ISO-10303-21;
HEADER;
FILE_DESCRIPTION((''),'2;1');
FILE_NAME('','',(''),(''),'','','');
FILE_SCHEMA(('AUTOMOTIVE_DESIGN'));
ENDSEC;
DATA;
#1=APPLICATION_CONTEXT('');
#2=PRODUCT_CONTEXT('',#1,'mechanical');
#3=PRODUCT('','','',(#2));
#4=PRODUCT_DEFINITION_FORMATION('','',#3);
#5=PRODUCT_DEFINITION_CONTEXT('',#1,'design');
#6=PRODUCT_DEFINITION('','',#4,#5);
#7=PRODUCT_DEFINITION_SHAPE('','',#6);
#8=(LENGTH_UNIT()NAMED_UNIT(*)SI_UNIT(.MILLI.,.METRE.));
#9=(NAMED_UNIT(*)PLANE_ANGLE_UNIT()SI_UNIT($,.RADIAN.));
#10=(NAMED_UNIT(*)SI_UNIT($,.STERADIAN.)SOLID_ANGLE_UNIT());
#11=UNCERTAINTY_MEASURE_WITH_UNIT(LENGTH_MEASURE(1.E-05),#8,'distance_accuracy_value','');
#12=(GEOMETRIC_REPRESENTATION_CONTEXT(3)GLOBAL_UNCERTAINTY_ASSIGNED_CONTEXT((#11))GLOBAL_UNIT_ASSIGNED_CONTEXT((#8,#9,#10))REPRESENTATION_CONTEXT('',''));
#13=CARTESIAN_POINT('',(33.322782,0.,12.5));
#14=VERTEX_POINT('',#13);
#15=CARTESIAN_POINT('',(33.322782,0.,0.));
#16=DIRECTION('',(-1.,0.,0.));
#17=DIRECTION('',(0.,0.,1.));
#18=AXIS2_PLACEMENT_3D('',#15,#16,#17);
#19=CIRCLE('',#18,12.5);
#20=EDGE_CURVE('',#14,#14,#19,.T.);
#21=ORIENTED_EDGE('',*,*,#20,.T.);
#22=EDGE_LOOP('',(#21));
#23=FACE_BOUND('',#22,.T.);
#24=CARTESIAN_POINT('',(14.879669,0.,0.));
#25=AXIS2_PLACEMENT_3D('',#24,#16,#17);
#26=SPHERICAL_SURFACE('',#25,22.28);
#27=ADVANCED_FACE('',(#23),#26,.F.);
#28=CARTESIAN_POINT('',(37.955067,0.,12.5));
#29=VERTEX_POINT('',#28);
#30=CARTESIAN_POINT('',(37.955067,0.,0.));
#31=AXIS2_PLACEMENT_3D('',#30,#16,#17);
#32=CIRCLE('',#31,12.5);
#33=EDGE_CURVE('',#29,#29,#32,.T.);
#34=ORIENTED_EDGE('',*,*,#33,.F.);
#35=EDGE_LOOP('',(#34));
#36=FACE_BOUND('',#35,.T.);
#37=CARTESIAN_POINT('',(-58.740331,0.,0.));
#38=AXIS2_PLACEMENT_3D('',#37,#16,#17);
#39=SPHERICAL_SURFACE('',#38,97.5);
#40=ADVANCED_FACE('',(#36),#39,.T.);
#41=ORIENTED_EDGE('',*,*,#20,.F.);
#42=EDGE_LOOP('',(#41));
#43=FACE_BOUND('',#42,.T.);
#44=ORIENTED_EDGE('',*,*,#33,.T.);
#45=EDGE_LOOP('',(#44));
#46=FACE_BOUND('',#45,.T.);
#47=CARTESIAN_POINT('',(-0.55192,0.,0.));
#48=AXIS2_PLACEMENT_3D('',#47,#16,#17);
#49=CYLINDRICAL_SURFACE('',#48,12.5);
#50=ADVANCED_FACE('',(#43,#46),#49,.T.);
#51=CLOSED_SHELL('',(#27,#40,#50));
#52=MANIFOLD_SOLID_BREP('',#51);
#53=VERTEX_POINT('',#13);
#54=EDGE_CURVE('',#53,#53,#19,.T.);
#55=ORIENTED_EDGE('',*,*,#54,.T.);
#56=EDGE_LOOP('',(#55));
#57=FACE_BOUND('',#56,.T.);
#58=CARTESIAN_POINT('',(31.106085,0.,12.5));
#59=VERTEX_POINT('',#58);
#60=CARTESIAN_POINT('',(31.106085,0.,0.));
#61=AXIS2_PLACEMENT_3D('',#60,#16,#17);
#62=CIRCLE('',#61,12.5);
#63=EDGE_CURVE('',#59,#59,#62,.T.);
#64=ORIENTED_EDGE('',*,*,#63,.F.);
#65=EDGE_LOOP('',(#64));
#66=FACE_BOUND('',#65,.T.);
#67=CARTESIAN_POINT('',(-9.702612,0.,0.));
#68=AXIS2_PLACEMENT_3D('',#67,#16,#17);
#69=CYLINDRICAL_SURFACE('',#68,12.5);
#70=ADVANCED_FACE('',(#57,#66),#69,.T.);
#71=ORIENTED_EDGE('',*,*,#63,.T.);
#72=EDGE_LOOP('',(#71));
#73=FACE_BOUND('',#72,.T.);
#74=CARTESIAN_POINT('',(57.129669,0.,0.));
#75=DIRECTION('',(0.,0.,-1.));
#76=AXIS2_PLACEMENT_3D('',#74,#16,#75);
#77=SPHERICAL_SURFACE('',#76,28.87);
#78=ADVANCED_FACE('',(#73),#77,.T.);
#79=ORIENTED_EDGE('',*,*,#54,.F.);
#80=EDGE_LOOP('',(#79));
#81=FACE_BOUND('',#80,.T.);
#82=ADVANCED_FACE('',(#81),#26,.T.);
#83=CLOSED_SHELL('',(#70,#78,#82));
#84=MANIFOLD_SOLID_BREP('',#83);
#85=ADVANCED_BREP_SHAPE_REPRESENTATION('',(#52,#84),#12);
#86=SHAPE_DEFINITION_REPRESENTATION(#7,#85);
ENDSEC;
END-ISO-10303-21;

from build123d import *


with BuildPart() as part:
    # 草图1 one side → 旋转1 (revolve)
    with BuildSketch(Plane(origin=(0, 0, 0), x_dir=(1, 0, 0), z_dir=(0, 1, 0)), mode=Mode.PRIVATE) as revolve_1_sk:
        with BuildLine():
            ThreePointArc((31.106085439, 12.5), (28.980266168, 6.40999389), (28.259668974, 0))
            Line((28.259668974, 0), (37.159668974, 0))
            ThreePointArc((37.159668974, 0), (36.17885848, 6.537807458), (33.322781509, 12.5))
            Line((33.322781509, 12.5), (31.106085439, 12.5))
        make_face()
    revolve(revolve_1_sk.sketch.rotate(Axis((-9.702612178, 0, 0), (1, 0, 0)), 180), axis=Axis((-9.702612178, 0, 0), (1, 0, 0)))  # turned: the seam where the file's is


with BuildPart() as body_2:
    # 草图2 one side → 旋转3 (revolve)
    with BuildSketch(Plane(origin=(0, 0, 0), x_dir=(1, 0, 0), z_dir=(0, 1, 0)), mode=Mode.PRIVATE) as revolve_3_sk:
        with BuildLine():
            Line((37.955067003, 12.5), (33.322781509, 12.5))
            ThreePointArc((33.322781509, 12.5), (36.17885848, 6.537807458), (37.159668974, 0))
            Line((37.159668974, 0), (38.759668974, 0))
            ThreePointArc((38.759668974, 0), (38.558310557, 6.262934303), (37.955067003, 12.5))
        make_face()
    revolve(revolve_3_sk.sketch.rotate(Axis((-0.551919993, 0, 0), (1, 0, 0)), 180), axis=Axis((-0.551919993, 0, 0), (1, 0, 0)))  # turned: the seam where the file's is


solid = Compound([part.part, body_2.part])
